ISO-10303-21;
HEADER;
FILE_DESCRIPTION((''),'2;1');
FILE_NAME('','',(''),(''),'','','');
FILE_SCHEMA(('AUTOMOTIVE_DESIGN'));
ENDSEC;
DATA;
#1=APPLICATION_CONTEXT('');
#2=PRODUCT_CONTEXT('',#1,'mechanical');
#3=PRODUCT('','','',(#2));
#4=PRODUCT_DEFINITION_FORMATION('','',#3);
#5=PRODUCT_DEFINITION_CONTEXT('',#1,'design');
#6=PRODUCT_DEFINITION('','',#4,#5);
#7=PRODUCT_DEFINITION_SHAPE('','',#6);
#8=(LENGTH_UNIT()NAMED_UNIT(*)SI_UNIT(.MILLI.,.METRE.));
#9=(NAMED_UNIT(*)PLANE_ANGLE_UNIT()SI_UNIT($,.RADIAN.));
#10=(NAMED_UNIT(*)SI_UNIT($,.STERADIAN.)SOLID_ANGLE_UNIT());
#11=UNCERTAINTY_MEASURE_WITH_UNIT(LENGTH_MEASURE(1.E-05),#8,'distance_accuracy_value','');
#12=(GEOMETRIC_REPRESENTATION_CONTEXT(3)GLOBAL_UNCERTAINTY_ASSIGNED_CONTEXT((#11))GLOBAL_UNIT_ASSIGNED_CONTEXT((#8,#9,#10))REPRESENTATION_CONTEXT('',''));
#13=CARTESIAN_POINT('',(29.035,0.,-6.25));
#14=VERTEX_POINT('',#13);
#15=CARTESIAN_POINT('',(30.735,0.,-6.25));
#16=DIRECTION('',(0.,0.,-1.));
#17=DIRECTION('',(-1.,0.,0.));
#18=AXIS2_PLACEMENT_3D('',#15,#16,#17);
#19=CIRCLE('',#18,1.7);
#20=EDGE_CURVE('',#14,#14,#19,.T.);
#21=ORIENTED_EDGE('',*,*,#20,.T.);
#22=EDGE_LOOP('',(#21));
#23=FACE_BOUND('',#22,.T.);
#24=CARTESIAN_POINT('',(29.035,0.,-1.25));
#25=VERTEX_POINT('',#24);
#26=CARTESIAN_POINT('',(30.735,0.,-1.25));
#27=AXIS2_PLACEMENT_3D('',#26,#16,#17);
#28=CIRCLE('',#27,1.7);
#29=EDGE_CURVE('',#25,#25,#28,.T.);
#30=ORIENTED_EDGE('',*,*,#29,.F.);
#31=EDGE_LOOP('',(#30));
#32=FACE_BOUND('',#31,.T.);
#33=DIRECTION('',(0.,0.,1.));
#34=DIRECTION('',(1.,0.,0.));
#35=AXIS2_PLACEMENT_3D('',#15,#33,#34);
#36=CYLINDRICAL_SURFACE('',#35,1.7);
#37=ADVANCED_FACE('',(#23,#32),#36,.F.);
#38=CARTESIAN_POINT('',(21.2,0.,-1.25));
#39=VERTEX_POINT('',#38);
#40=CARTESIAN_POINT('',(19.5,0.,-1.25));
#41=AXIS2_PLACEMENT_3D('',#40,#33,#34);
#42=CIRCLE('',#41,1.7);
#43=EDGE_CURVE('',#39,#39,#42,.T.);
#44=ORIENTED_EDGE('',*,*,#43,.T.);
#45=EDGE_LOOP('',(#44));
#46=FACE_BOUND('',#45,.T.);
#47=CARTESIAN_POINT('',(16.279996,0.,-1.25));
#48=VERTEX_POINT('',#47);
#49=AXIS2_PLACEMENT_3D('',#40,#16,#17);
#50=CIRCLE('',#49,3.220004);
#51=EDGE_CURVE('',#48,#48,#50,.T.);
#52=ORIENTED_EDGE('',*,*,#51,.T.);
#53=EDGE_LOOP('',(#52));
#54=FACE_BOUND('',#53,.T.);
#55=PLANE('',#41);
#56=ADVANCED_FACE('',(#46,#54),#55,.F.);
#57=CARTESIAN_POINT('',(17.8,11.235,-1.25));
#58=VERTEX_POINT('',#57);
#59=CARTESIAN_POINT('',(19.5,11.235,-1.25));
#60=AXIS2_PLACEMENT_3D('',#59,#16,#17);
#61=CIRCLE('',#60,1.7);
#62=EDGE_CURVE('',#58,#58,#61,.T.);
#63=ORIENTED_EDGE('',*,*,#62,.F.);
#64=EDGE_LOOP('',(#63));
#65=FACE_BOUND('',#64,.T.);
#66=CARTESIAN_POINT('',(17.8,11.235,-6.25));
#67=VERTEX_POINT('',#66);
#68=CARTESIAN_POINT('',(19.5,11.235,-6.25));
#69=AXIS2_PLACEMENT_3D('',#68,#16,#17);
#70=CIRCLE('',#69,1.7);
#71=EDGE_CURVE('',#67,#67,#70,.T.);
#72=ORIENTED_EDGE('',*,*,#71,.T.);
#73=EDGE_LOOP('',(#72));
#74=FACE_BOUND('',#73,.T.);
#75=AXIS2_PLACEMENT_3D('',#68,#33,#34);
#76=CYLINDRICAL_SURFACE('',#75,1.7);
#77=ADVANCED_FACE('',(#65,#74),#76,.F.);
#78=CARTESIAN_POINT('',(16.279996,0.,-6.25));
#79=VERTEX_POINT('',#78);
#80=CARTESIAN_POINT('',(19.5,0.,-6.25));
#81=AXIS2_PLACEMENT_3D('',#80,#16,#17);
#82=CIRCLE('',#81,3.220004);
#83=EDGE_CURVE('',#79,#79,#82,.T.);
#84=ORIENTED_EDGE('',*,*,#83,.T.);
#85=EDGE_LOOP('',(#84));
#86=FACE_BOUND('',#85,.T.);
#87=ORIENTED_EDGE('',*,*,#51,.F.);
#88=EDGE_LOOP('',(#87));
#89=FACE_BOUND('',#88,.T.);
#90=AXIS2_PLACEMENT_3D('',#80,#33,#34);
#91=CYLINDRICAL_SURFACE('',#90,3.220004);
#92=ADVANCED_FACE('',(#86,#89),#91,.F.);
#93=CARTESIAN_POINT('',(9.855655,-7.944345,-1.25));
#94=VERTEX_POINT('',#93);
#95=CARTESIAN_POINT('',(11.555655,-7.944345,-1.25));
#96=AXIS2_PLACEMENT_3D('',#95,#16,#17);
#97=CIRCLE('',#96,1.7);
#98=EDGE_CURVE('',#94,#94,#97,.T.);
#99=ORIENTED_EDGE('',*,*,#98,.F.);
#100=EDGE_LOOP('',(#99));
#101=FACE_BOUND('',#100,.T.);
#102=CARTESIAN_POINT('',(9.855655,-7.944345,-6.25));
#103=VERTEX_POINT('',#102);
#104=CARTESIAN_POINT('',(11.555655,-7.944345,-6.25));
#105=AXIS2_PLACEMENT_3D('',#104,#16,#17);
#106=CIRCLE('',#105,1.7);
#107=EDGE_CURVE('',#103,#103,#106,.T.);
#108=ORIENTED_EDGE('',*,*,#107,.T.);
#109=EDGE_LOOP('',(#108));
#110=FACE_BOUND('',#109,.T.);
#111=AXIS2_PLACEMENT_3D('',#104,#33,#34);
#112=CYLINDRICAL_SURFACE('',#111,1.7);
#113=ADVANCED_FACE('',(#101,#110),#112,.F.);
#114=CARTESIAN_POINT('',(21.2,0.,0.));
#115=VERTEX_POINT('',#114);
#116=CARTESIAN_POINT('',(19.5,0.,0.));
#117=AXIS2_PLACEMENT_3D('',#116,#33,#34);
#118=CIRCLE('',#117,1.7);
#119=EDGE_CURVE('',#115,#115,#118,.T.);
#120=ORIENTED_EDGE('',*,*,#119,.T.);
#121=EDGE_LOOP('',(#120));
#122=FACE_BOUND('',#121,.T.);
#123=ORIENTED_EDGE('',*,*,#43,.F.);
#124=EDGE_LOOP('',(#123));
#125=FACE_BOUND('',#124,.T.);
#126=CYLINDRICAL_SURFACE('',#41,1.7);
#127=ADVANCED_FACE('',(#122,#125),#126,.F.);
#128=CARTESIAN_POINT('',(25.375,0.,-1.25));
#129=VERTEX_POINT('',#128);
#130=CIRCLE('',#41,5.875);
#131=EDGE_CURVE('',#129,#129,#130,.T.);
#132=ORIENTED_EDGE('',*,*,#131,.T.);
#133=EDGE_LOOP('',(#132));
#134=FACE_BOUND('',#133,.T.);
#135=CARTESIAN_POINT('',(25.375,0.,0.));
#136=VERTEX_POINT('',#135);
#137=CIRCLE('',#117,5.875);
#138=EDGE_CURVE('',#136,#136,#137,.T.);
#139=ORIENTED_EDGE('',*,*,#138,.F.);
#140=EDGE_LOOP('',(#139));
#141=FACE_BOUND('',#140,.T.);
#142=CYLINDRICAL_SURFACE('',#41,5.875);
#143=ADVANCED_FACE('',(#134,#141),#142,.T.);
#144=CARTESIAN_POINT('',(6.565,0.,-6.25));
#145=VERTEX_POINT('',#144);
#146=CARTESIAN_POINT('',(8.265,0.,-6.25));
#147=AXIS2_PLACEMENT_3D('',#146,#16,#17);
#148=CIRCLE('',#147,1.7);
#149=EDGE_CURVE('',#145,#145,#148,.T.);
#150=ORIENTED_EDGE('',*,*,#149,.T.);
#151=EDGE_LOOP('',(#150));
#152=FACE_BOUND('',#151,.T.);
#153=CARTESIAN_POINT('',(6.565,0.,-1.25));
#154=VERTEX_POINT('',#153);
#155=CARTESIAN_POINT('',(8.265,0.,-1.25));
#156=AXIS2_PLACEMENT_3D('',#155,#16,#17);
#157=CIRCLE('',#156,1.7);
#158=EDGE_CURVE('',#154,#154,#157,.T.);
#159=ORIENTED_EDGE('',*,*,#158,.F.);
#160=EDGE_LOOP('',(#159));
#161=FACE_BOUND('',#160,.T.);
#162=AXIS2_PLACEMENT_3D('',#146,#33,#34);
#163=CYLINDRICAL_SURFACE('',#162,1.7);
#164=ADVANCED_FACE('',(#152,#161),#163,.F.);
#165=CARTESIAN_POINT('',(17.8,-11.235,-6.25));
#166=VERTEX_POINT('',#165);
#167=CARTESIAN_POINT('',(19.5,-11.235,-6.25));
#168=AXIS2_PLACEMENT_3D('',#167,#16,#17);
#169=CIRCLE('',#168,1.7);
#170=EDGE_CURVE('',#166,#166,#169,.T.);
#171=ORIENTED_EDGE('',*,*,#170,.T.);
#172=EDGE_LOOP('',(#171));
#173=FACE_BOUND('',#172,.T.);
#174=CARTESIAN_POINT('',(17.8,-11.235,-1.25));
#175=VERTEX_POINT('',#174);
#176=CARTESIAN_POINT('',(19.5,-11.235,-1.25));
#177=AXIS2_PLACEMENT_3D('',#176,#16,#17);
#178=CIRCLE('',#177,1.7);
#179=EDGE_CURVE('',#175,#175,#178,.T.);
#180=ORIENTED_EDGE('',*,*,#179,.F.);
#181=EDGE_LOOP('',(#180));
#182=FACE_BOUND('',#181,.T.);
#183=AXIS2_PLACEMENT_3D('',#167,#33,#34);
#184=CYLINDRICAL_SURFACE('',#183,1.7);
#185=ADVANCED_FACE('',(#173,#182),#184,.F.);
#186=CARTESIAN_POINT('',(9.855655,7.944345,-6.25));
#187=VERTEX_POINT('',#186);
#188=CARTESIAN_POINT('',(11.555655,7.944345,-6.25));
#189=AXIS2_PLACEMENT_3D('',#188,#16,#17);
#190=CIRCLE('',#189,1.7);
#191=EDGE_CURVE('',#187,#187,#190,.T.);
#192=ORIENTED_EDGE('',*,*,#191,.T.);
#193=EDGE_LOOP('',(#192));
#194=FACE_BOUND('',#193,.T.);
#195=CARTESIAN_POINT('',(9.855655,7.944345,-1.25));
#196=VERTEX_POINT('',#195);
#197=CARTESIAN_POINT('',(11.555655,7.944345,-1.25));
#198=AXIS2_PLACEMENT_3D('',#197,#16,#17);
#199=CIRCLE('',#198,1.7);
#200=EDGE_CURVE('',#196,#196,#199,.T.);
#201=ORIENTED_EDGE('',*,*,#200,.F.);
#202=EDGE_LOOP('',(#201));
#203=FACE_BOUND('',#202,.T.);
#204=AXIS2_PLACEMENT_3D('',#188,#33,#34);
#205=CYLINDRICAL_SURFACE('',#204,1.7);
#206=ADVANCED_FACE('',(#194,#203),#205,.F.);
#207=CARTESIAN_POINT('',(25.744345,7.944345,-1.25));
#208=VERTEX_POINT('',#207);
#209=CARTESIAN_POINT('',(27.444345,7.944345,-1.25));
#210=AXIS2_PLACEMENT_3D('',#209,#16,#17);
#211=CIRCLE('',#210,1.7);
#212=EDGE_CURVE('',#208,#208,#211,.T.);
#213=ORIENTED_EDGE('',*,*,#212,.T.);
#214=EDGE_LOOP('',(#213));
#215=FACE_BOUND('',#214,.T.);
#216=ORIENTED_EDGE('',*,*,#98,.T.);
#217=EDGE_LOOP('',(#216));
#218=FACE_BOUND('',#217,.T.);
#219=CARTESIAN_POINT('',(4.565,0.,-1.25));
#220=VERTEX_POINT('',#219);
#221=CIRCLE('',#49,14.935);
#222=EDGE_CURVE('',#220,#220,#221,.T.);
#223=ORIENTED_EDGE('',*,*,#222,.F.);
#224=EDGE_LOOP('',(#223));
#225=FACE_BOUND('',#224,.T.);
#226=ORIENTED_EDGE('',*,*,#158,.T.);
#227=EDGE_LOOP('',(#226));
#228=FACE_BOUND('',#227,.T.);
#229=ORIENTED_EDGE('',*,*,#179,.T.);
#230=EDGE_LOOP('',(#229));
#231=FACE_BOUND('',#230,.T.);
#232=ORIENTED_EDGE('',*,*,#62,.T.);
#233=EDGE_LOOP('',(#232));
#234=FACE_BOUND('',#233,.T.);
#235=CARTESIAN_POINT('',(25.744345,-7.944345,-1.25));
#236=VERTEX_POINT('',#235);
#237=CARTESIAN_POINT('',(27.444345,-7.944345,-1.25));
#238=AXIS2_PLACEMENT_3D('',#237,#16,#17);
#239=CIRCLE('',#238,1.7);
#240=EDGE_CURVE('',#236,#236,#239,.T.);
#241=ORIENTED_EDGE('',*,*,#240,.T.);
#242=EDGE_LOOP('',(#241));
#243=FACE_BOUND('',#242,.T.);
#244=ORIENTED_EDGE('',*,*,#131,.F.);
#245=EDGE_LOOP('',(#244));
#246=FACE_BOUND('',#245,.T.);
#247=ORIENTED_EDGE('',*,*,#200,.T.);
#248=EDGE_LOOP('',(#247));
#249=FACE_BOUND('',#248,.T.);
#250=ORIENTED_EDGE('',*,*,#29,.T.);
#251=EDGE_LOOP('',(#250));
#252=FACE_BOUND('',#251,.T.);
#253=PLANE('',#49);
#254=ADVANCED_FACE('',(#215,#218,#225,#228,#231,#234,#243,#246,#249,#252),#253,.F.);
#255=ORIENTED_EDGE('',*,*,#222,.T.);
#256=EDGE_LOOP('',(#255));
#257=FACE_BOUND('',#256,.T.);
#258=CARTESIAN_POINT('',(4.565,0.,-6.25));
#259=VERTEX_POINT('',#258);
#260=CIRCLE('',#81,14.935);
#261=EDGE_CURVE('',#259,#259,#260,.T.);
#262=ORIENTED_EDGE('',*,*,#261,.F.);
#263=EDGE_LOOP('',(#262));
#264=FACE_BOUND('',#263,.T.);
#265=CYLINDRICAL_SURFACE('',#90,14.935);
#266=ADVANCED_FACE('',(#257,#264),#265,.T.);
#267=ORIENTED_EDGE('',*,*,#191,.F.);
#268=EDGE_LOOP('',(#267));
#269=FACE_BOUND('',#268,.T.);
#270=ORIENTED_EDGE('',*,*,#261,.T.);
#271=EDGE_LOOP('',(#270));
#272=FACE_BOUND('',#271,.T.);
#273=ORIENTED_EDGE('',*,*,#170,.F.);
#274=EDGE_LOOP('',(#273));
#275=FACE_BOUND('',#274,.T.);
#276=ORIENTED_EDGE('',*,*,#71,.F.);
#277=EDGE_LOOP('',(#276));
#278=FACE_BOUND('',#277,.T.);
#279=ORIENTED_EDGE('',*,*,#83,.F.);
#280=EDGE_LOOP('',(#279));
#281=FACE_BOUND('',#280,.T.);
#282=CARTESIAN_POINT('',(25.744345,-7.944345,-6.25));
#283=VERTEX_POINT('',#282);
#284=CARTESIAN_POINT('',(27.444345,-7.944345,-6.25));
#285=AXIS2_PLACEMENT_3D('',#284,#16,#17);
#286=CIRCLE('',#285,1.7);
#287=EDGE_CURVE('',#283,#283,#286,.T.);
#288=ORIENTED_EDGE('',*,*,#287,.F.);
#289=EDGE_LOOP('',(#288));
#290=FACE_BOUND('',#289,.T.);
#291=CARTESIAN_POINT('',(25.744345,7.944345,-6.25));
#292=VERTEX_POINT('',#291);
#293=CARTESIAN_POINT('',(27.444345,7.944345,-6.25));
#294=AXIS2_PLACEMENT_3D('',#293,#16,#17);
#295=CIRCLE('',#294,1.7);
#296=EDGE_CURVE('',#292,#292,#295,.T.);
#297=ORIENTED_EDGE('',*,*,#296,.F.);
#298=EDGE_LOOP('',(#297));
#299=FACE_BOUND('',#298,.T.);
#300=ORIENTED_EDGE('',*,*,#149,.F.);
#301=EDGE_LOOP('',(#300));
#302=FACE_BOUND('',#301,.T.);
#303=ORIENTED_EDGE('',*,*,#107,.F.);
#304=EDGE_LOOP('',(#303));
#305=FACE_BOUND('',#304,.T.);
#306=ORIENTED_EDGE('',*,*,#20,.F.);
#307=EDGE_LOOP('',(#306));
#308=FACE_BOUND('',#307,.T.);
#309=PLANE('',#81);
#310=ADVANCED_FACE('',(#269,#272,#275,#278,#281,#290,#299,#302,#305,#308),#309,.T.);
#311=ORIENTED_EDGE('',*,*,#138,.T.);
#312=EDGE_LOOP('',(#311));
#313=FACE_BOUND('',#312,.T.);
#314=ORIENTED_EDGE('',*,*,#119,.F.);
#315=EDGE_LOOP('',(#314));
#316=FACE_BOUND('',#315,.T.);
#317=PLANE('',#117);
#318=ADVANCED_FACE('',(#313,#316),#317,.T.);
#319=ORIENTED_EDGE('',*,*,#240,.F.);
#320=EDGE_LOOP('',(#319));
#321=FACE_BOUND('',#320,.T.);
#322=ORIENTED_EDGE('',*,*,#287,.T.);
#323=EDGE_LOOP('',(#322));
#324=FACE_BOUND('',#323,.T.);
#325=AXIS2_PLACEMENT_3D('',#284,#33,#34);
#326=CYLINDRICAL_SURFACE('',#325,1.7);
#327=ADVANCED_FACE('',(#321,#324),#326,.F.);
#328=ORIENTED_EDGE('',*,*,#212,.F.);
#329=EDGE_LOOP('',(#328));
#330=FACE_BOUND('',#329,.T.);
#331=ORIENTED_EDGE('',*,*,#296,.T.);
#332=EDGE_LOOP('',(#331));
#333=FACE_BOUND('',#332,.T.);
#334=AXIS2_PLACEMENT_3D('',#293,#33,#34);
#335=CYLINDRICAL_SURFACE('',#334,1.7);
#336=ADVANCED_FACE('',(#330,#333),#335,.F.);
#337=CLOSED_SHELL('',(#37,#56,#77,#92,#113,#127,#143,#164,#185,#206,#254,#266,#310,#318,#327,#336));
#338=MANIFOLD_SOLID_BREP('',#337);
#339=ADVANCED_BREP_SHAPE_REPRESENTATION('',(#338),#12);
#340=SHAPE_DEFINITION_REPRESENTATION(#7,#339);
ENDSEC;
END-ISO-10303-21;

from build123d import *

# Parameters (mm, degrees)
SKETCH1_R           = 5.875
SKETCH1_R_2         = 1.7
BOSS_EXTRUDE1_DEPTH = 1.25
SKETCH2_R           = 14.935
SKETCH2_R_2         = 1.7
SKETCH2_R_3         = 3.220003918
BOSS_EXTRUDE2_DEPTH = 5


with BuildPart() as part:
    # Sketch1 → Boss-Extrude1 (new body)
    with BuildSketch(Plane.XY):
        with Locations((19.5, 0)):
            Circle(SKETCH1_R)
        with Locations((19.5, 0)):
            Circle(SKETCH1_R_2, mode=Mode.SUBTRACT)
    extrude(amount=-BOSS_EXTRUDE1_DEPTH)

    # Sketch2 → Boss-Extrude2 (add)
    with BuildSketch(Plane(origin=(0, 0, -1.25), x_dir=(-1, 0, 0), z_dir=(0, 0, -1))):
        with Locations((-19.5, 0)):
            Circle(SKETCH2_R)
        with Locations((-19.5, -11.235)):
            Circle(SKETCH2_R_2, mode=Mode.SUBTRACT)
        with Locations((-19.5, 0)):
            Circle(SKETCH2_R_3, mode=Mode.SUBTRACT)
        with Locations((-27.444344687, -7.944344687)):
            Circle(SKETCH2_R_2, mode=Mode.SUBTRACT)
        with Locations((-30.735, 0)):
            Circle(SKETCH2_R_2, mode=Mode.SUBTRACT)
        with Locations((-27.444344687, 7.944344686)):
            Circle(SKETCH2_R_2, mode=Mode.SUBTRACT)
        with Locations((-19.5, 11.235)):
            Circle(SKETCH2_R_2, mode=Mode.SUBTRACT)
        with Locations((-11.555655313, 7.944344686)):
            Circle(SKETCH2_R_2, mode=Mode.SUBTRACT)
        with Locations((-8.265, 0)):
            Circle(SKETCH2_R_2, mode=Mode.SUBTRACT)
        with Locations((-11.555655313, -7.944344687)):
            Circle(SKETCH2_R_2, mode=Mode.SUBTRACT)
    extrude(amount=BOSS_EXTRUDE2_DEPTH)


solid = part.part
